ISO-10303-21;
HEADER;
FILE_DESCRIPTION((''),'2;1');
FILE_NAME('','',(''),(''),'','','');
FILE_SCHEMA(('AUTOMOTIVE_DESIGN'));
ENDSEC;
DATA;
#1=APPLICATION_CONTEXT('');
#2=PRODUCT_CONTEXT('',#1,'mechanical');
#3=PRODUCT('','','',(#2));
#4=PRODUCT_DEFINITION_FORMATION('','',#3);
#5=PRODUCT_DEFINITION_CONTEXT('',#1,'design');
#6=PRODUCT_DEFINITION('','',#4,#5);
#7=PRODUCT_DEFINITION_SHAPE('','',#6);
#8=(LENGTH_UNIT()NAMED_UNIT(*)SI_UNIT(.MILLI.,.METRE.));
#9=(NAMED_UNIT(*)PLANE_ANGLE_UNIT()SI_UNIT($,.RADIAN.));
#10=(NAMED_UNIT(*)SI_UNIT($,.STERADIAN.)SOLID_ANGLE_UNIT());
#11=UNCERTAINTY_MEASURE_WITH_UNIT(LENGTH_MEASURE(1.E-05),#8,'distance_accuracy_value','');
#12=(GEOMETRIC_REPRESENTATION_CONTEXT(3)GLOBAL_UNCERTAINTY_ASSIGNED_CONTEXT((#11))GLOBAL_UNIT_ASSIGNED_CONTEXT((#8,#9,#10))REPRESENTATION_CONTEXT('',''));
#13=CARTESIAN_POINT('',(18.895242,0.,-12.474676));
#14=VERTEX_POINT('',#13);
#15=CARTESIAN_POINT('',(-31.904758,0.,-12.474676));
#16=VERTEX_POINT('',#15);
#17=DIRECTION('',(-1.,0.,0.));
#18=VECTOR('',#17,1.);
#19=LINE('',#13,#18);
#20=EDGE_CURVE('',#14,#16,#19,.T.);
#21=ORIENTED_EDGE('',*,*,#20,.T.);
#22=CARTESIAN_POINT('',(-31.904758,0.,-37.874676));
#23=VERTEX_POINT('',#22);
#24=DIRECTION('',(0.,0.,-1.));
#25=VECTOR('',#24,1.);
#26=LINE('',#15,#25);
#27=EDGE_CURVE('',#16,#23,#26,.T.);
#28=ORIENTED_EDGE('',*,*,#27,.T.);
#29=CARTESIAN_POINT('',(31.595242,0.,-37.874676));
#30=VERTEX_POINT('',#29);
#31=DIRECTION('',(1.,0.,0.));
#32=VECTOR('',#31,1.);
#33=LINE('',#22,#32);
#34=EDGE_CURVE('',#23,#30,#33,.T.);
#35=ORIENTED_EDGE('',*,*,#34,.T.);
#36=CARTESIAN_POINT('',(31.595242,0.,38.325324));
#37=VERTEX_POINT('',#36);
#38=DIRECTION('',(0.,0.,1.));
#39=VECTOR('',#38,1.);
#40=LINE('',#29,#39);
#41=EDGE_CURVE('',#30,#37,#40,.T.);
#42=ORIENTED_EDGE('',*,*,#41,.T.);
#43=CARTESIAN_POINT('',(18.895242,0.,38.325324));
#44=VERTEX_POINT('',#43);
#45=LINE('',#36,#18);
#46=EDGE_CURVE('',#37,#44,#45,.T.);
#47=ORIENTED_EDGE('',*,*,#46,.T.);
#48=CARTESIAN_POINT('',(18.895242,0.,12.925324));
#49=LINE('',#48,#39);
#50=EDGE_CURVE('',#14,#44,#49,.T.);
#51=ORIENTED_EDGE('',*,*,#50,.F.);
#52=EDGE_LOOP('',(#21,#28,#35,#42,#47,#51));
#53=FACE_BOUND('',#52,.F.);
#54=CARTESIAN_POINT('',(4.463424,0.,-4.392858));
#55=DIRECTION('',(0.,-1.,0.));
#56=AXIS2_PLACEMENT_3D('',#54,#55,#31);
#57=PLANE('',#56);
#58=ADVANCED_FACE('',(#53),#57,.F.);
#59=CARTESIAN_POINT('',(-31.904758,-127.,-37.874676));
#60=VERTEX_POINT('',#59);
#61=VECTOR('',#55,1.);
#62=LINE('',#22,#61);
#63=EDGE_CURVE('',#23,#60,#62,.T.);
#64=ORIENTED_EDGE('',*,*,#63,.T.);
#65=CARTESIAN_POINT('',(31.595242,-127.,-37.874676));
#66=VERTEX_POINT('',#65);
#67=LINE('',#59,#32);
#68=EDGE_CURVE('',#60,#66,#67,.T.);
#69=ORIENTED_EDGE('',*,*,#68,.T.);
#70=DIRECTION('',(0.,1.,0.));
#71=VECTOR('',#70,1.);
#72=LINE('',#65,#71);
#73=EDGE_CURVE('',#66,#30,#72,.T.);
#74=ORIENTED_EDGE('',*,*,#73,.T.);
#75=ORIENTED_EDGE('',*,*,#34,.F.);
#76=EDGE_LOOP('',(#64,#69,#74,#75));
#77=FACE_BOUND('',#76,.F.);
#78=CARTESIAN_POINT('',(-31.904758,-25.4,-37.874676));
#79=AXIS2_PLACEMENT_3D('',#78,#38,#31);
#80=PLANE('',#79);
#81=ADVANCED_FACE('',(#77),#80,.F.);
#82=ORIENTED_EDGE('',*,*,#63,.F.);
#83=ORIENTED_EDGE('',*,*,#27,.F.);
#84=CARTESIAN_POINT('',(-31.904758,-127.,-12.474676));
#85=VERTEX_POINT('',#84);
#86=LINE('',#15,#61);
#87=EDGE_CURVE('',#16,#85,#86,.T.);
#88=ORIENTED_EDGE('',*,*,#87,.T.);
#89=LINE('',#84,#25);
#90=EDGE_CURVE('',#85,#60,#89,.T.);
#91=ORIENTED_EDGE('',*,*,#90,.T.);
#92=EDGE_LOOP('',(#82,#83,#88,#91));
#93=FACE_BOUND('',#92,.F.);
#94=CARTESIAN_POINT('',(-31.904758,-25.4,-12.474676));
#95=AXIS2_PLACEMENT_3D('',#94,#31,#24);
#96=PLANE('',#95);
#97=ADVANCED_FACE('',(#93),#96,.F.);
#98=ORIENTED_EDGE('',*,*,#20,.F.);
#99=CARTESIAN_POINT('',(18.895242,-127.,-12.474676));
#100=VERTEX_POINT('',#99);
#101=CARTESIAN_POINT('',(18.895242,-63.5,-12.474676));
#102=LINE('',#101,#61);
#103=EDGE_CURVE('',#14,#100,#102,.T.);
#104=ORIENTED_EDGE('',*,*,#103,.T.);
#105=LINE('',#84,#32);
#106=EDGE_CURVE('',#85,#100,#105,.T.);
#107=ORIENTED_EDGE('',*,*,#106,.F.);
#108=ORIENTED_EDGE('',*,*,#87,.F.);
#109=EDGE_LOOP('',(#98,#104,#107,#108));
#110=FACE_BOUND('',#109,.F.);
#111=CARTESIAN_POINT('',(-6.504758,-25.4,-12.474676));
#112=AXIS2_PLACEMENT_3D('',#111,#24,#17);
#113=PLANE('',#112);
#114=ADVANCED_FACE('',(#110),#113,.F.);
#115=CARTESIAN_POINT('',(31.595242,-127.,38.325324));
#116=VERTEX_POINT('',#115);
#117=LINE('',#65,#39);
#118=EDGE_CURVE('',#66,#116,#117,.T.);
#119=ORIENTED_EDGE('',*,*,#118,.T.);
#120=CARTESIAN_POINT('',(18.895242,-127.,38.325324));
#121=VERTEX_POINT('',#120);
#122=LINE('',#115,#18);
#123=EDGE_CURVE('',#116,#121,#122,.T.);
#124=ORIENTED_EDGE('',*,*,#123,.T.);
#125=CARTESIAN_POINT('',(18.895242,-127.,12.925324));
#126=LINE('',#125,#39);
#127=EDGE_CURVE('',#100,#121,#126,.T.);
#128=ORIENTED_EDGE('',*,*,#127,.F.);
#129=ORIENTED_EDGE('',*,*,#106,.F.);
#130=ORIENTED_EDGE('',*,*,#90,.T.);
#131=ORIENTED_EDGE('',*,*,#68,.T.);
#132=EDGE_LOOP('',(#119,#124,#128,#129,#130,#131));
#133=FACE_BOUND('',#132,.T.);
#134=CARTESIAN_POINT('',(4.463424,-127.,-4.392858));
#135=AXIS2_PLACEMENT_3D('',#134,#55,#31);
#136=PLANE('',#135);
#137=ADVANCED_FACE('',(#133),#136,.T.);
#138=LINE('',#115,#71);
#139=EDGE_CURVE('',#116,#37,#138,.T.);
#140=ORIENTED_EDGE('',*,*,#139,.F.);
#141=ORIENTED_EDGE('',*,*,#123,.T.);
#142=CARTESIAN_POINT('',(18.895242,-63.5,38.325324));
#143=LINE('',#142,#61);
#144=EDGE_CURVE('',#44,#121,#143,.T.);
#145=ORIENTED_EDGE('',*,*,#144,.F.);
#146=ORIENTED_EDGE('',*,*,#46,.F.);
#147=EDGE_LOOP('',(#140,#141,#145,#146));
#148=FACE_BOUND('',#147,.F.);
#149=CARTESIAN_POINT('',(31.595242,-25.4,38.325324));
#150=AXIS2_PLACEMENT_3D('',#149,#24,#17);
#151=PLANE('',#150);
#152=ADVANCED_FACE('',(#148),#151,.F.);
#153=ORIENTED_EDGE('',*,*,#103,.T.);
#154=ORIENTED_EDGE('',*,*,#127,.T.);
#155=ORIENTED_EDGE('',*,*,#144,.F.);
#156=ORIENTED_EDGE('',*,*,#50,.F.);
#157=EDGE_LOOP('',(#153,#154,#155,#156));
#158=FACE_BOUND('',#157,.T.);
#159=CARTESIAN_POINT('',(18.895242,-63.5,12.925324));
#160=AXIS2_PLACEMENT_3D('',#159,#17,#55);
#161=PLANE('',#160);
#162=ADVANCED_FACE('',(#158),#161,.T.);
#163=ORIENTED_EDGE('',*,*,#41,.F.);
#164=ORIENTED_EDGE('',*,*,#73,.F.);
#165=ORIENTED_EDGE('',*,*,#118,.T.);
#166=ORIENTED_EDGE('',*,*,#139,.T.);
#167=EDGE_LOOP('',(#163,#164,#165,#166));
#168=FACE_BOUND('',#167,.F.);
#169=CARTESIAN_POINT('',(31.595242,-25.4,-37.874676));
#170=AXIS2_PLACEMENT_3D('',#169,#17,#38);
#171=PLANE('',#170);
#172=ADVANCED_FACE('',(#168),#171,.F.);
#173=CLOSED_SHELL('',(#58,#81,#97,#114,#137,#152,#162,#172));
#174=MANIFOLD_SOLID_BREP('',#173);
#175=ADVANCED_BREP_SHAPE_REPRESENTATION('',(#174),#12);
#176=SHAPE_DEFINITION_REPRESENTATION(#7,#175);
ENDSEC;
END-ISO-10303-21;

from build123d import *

# Parameters (mm, degrees)
F1_DEPTH = 25.4
F2_DEPTH = 101.6
F3_W     = 127
F3_H     = 50.8
F5_DEPTH = 25.4


with BuildPart() as f1:
    # F0 (on Front) → F1 (new body)
    with BuildSketch(Plane.XZ):
        Polygon((-6.504758, -12.474676), (-31.904758, -12.474676), (-31.904758, -37.874676), (31.595242, -37.874676), (31.595242, 38.325324), (-6.504758, 38.325324), align=None)
    extrude(amount=F1_DEPTH)

    # F1_face (on face) → F2 (join)
    with BuildSketch(Plane(origin=(6.772515, -25.4, -4.392858), x_dir=(1, 0, 0), z_dir=(0, -1, 0))):
        Polygon((-13.277273, 42.718182), (-13.277273, -8.081818), (-38.677273, -8.081818), (-38.677273, -33.481818), (24.822727, -33.481818), (24.822727, 42.718182), align=None)
    extrude(amount=F2_DEPTH)

    # F3 (on face) → F5 (cut)
    with BuildSketch(Plane(origin=(-6.504758, 0, 0), x_dir=(0, -1, 0), z_dir=(-1, 0, 0))):
        with Locations((63.5, 12.925324)):
            Rectangle(F3_W, F3_H)
    extrude(amount=-F5_DEPTH, mode=Mode.SUBTRACT)


solid = f1.part
